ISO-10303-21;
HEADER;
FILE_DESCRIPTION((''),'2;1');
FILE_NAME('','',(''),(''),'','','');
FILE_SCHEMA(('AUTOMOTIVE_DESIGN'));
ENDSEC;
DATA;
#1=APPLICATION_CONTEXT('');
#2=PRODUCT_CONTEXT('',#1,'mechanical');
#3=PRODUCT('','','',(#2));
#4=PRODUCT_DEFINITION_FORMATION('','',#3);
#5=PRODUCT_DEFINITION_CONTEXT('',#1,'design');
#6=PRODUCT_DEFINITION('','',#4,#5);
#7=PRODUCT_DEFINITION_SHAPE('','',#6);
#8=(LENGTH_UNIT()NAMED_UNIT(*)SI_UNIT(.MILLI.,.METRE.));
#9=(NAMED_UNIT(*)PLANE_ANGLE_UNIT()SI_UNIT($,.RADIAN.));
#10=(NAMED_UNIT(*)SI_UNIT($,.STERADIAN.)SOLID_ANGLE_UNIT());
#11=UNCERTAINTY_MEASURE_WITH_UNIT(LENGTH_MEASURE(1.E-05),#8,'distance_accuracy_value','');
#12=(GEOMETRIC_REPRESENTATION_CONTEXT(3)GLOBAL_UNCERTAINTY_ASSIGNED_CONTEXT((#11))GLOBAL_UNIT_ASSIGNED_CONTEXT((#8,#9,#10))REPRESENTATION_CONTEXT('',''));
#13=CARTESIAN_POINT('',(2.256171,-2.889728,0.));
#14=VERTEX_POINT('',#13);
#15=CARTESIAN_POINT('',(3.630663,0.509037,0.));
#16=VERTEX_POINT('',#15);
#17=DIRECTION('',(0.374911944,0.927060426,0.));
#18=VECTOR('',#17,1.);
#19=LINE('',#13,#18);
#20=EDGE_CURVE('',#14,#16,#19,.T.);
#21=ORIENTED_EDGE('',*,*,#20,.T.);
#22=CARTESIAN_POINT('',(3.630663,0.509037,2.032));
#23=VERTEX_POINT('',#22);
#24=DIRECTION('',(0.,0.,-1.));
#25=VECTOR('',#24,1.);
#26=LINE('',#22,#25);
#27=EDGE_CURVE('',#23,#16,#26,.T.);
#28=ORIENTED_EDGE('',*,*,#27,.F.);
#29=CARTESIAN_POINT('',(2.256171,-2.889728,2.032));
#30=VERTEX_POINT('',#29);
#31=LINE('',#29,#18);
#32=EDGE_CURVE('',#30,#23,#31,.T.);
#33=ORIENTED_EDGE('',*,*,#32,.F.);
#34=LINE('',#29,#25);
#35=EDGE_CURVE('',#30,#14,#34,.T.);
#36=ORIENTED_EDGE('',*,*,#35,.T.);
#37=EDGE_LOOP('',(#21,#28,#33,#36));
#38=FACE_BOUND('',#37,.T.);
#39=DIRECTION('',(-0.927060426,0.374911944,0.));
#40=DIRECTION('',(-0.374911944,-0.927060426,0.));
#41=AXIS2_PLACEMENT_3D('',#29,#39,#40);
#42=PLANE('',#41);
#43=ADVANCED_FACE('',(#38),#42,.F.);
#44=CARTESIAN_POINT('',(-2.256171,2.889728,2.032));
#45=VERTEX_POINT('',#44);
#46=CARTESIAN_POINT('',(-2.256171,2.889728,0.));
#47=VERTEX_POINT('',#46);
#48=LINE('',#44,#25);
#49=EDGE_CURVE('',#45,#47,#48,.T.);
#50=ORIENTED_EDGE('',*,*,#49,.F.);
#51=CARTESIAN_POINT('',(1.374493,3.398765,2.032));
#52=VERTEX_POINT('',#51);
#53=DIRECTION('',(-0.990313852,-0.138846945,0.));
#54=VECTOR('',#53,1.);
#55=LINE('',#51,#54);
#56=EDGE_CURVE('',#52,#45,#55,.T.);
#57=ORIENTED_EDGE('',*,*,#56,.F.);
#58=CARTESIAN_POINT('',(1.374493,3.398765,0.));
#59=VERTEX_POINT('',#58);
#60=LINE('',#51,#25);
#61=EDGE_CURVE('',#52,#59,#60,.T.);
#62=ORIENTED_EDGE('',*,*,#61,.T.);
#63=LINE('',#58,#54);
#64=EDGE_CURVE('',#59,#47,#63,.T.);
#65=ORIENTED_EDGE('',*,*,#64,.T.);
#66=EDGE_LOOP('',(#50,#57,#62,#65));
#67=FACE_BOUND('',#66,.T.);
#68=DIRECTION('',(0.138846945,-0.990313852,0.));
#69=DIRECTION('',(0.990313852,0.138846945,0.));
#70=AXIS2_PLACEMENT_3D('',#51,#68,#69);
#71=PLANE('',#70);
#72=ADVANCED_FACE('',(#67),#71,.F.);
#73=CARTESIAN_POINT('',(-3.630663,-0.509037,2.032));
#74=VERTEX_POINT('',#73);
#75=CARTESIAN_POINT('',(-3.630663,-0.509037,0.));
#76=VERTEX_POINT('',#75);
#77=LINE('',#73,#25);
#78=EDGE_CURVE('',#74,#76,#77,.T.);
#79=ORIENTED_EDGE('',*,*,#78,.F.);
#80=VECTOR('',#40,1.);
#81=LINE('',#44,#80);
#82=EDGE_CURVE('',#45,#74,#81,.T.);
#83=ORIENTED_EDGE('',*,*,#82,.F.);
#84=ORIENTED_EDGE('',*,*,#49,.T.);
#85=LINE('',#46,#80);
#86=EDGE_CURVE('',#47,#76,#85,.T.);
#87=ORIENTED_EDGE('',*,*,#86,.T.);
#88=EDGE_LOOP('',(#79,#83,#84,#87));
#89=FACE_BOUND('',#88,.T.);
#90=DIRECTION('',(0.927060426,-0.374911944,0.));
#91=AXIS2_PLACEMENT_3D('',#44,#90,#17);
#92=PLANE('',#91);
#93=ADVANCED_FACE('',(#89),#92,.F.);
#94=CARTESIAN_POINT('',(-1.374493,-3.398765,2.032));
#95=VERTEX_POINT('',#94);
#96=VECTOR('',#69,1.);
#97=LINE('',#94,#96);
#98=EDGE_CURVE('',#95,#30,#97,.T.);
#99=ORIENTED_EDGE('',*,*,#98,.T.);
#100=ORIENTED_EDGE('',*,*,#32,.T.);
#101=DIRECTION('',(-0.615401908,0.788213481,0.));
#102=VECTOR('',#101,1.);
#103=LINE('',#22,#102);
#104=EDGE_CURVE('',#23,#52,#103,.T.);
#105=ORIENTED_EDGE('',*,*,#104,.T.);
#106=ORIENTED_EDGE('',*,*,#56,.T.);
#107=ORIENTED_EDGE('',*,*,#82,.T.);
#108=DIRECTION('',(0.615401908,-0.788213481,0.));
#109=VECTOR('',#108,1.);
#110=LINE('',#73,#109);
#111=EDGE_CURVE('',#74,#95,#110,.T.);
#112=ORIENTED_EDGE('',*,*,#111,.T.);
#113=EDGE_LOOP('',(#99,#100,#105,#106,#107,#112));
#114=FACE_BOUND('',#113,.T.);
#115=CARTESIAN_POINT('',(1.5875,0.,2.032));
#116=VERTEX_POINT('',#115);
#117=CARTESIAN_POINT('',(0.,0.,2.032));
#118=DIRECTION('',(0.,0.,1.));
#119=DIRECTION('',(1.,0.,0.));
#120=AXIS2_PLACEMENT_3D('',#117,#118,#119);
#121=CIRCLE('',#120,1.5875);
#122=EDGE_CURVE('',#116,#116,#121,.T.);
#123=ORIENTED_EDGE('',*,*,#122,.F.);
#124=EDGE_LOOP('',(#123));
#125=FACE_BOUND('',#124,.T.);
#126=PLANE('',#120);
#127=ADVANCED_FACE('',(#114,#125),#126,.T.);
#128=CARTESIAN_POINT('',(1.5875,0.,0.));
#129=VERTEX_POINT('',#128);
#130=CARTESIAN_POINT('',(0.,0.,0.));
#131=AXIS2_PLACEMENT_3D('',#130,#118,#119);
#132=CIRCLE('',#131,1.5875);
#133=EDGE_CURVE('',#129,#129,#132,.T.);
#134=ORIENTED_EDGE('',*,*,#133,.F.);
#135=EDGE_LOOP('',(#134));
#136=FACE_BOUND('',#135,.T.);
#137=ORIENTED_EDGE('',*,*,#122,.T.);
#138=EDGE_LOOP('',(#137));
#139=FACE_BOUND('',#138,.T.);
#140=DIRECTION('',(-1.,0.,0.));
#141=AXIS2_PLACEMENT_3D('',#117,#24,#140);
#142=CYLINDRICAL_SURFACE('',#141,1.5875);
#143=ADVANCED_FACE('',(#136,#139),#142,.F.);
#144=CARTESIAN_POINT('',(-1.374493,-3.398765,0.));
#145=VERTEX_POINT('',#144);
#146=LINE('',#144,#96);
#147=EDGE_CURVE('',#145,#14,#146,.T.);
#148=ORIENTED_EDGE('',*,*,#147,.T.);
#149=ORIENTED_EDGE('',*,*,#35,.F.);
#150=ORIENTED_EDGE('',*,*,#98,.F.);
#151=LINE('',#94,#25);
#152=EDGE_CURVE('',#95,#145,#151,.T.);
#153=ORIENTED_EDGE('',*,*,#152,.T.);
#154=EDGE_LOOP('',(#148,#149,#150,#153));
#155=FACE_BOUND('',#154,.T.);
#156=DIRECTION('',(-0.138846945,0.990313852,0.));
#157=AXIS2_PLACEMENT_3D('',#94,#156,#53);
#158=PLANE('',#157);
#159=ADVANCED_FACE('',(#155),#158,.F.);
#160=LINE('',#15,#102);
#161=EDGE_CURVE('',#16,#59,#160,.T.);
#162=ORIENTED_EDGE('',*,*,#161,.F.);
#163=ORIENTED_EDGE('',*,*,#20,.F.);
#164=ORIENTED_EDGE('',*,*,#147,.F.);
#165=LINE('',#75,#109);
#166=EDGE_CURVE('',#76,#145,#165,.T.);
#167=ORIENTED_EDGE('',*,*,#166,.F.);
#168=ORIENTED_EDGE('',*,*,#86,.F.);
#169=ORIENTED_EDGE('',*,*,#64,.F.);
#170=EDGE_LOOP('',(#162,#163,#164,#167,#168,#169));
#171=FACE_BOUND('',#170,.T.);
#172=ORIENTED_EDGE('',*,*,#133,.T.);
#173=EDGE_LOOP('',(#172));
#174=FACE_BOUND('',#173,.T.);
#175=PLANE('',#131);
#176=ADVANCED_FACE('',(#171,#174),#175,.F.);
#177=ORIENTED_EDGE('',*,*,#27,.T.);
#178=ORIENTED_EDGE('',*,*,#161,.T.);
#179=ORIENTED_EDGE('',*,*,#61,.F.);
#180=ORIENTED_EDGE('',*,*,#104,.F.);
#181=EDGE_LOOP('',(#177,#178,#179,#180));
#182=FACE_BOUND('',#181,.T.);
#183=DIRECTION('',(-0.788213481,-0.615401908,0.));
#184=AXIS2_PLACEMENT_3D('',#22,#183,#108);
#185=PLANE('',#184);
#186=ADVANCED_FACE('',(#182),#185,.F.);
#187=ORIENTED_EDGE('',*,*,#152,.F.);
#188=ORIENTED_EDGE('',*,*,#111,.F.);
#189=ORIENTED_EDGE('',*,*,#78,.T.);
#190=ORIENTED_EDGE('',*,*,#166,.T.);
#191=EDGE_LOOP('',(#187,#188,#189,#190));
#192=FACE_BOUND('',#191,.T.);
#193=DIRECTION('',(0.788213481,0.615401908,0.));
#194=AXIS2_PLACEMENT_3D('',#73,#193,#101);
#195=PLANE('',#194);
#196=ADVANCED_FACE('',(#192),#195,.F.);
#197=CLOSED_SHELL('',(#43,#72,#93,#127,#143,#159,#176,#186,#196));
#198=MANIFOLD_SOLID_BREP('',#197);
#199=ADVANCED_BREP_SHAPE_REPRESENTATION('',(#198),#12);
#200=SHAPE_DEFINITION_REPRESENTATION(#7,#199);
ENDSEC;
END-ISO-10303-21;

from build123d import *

# Parameters (mm, degrees)
CROQUIS1_R   = 1.5875
TUERCA_DEPTH = 2.032


with BuildPart() as part:
    # Croquis1 → TUERCA (new body)
    with BuildSketch(Plane.XY):
        Polygon((-3.630663104, -0.509037091), (-1.3744925, -3.398765026), (2.256170604, -2.889727935), (3.630663104, 0.509037091), (1.3744925, 3.398765026), (-2.256170604, 2.889727935), align=None)
        Circle(CROQUIS1_R, mode=Mode.SUBTRACT)
    extrude(amount=TUERCA_DEPTH)


solid = part.part
